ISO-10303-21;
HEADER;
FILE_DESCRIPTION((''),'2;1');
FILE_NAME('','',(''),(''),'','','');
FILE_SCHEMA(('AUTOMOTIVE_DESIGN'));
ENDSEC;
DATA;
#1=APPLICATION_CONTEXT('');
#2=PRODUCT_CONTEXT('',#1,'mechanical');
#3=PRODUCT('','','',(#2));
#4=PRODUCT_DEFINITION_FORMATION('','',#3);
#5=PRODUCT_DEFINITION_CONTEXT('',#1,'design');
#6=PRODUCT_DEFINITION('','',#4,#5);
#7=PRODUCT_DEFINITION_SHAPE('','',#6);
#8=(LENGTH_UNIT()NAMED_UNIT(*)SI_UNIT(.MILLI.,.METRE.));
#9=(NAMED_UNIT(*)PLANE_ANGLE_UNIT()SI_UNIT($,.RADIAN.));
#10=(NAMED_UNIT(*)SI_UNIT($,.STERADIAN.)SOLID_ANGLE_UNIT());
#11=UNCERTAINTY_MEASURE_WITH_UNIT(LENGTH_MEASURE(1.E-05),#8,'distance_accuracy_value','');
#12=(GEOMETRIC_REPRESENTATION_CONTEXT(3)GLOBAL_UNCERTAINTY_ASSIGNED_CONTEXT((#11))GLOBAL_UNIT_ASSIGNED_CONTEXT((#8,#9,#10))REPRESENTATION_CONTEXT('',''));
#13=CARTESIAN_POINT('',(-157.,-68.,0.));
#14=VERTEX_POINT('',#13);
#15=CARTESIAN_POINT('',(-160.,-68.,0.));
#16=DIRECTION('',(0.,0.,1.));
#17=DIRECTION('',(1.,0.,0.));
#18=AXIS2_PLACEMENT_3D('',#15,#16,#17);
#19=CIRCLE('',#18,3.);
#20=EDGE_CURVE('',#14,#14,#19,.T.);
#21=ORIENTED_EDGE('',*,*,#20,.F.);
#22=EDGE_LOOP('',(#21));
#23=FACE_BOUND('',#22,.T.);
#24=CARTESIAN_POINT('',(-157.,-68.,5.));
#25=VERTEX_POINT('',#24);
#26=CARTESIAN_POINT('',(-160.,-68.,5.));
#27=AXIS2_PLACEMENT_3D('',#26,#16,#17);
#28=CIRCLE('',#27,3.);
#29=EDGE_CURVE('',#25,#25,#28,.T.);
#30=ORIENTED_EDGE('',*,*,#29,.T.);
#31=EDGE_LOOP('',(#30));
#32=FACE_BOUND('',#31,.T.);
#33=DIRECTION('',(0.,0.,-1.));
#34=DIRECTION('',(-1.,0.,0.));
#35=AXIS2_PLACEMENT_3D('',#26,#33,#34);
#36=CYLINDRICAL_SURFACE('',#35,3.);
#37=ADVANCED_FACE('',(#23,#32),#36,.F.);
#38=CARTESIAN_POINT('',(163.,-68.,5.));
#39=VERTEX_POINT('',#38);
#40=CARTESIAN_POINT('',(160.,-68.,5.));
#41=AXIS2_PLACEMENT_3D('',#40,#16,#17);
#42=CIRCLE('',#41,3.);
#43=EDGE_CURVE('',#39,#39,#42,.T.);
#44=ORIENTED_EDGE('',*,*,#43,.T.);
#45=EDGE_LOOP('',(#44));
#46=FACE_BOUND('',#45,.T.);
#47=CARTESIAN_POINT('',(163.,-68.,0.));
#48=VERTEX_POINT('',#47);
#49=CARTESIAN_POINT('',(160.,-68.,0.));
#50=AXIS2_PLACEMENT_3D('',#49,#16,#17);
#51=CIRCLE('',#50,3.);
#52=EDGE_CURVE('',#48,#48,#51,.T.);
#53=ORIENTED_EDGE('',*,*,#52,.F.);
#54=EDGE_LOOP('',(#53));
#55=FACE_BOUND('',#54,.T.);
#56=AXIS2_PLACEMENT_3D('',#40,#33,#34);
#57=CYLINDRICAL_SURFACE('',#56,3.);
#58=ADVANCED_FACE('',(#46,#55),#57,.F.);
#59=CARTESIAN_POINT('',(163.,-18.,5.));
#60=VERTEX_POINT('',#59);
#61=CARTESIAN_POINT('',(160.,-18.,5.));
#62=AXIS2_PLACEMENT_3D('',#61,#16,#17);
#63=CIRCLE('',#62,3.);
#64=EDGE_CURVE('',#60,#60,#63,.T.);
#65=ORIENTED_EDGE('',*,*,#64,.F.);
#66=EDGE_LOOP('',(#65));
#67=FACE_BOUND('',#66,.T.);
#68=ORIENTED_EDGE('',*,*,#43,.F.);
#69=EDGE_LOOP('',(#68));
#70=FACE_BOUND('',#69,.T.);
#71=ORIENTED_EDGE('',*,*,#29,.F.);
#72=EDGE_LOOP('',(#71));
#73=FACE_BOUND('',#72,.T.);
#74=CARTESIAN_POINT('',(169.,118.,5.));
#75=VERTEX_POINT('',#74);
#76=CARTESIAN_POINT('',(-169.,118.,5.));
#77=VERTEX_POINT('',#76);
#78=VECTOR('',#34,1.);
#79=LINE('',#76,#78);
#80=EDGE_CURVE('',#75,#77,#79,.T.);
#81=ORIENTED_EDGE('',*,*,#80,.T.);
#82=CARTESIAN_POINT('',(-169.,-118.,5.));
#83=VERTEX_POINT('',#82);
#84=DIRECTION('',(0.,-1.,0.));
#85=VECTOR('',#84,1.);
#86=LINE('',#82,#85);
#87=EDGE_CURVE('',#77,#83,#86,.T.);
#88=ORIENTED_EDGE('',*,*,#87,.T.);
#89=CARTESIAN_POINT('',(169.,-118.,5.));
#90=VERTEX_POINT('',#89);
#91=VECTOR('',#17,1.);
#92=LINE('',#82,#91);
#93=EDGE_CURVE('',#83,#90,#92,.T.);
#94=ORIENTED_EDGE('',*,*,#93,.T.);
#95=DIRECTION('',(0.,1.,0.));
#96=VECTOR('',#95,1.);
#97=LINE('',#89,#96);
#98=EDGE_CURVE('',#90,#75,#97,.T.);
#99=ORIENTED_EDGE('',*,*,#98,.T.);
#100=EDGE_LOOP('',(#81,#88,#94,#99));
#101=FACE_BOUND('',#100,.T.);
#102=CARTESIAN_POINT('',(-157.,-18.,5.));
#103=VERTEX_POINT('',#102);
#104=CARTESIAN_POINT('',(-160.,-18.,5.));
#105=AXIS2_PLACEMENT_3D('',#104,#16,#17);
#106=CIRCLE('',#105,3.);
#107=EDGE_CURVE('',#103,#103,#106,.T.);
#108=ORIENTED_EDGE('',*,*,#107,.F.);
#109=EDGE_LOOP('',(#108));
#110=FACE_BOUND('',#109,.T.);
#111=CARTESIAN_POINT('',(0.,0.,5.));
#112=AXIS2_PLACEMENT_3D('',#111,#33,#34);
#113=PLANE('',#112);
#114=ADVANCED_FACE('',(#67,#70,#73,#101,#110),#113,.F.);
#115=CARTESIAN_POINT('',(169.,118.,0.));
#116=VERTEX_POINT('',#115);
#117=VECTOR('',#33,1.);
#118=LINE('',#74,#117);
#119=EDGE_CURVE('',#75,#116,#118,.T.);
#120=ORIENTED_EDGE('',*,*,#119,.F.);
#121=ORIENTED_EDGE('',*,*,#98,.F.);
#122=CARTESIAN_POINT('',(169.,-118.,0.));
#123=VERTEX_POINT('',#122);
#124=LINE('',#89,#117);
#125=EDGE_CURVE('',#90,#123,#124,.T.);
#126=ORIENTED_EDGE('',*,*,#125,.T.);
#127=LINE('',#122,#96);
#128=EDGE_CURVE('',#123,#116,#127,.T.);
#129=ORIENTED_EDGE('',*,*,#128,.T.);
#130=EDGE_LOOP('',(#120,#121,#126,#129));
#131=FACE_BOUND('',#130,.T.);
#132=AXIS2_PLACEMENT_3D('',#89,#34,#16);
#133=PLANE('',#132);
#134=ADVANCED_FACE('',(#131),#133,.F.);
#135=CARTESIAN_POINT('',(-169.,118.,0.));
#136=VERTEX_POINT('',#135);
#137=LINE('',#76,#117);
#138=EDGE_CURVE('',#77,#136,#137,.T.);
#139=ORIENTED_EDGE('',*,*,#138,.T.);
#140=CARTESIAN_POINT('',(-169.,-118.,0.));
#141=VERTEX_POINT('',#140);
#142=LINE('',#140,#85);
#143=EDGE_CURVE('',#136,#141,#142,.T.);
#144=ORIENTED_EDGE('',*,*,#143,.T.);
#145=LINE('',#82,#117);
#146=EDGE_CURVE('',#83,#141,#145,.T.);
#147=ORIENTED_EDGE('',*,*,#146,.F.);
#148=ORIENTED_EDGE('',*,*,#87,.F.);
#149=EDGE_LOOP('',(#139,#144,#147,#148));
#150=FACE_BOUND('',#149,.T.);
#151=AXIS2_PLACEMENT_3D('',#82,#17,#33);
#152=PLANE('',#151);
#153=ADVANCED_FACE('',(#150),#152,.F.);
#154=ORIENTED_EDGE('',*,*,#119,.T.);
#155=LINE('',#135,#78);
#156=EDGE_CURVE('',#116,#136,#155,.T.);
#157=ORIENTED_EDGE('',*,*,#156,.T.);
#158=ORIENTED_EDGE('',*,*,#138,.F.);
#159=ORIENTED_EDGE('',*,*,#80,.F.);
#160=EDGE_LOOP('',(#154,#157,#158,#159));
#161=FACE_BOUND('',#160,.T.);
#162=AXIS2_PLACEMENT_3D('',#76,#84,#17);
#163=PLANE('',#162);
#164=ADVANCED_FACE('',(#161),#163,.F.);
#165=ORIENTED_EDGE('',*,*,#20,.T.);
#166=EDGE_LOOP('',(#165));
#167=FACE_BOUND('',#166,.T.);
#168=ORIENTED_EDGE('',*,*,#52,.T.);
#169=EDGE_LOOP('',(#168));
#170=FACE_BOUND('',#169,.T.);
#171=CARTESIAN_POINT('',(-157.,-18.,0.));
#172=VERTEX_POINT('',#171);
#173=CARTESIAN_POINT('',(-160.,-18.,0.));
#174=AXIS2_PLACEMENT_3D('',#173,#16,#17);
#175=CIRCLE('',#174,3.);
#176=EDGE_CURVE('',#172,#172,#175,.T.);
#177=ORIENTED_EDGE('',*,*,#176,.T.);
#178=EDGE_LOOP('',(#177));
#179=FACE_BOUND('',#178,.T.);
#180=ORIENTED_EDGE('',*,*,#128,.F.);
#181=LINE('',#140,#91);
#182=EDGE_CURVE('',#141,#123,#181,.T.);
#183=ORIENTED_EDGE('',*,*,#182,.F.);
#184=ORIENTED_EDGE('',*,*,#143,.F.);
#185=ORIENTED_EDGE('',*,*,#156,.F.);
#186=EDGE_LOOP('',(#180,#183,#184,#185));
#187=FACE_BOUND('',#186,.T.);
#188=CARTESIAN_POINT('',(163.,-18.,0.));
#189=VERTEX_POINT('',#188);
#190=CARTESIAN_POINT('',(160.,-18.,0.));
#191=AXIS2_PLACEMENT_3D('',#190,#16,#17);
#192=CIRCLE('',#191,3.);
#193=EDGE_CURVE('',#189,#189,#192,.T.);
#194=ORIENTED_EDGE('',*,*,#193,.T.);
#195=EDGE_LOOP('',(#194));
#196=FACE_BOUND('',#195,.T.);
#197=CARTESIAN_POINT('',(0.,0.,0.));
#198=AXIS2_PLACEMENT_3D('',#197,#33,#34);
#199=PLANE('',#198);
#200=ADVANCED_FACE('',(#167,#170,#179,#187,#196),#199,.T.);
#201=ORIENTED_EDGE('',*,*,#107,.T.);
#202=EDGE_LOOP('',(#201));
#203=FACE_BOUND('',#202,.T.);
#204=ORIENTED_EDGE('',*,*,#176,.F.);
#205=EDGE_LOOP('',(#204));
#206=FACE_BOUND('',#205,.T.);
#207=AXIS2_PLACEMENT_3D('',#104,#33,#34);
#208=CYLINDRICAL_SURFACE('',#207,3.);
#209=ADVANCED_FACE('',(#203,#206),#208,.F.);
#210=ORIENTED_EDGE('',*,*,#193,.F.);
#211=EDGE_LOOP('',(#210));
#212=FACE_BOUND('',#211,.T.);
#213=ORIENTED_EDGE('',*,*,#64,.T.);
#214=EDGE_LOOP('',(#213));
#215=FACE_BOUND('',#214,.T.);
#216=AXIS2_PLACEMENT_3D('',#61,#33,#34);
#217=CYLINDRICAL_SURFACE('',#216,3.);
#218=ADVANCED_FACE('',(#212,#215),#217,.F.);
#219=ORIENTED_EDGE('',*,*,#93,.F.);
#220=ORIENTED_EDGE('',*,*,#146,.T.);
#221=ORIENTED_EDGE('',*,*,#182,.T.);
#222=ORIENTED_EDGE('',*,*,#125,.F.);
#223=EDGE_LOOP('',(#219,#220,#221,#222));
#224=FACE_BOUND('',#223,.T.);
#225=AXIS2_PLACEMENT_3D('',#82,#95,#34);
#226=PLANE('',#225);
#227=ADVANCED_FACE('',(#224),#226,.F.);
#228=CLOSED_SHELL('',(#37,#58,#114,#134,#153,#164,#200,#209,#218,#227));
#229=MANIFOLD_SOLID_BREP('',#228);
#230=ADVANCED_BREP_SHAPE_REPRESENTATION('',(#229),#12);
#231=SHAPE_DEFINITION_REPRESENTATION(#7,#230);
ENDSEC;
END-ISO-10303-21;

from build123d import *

# Parameters (mm, degrees)
SKETCH1_W           = 338
SKETCH1_H           = 236
SKETCH1_R           = 3
BOSS_EXTRUDE1_DEPTH = 5


with BuildPart() as part:
    # Sketch1 → Boss-Extrude1 (new body)
    with BuildSketch(Plane.XY):
        Rectangle(SKETCH1_W, SKETCH1_H)
        with Locations((-160, -68)):
            Circle(SKETCH1_R, mode=Mode.SUBTRACT)
        with Locations((-160, -18)):
            Circle(SKETCH1_R, mode=Mode.SUBTRACT)
        with Locations((160, -18)):
            Circle(SKETCH1_R, mode=Mode.SUBTRACT)
        with Locations((160, -68)):
            Circle(SKETCH1_R, mode=Mode.SUBTRACT)
    extrude(amount=BOSS_EXTRUDE1_DEPTH)


solid = part.part
